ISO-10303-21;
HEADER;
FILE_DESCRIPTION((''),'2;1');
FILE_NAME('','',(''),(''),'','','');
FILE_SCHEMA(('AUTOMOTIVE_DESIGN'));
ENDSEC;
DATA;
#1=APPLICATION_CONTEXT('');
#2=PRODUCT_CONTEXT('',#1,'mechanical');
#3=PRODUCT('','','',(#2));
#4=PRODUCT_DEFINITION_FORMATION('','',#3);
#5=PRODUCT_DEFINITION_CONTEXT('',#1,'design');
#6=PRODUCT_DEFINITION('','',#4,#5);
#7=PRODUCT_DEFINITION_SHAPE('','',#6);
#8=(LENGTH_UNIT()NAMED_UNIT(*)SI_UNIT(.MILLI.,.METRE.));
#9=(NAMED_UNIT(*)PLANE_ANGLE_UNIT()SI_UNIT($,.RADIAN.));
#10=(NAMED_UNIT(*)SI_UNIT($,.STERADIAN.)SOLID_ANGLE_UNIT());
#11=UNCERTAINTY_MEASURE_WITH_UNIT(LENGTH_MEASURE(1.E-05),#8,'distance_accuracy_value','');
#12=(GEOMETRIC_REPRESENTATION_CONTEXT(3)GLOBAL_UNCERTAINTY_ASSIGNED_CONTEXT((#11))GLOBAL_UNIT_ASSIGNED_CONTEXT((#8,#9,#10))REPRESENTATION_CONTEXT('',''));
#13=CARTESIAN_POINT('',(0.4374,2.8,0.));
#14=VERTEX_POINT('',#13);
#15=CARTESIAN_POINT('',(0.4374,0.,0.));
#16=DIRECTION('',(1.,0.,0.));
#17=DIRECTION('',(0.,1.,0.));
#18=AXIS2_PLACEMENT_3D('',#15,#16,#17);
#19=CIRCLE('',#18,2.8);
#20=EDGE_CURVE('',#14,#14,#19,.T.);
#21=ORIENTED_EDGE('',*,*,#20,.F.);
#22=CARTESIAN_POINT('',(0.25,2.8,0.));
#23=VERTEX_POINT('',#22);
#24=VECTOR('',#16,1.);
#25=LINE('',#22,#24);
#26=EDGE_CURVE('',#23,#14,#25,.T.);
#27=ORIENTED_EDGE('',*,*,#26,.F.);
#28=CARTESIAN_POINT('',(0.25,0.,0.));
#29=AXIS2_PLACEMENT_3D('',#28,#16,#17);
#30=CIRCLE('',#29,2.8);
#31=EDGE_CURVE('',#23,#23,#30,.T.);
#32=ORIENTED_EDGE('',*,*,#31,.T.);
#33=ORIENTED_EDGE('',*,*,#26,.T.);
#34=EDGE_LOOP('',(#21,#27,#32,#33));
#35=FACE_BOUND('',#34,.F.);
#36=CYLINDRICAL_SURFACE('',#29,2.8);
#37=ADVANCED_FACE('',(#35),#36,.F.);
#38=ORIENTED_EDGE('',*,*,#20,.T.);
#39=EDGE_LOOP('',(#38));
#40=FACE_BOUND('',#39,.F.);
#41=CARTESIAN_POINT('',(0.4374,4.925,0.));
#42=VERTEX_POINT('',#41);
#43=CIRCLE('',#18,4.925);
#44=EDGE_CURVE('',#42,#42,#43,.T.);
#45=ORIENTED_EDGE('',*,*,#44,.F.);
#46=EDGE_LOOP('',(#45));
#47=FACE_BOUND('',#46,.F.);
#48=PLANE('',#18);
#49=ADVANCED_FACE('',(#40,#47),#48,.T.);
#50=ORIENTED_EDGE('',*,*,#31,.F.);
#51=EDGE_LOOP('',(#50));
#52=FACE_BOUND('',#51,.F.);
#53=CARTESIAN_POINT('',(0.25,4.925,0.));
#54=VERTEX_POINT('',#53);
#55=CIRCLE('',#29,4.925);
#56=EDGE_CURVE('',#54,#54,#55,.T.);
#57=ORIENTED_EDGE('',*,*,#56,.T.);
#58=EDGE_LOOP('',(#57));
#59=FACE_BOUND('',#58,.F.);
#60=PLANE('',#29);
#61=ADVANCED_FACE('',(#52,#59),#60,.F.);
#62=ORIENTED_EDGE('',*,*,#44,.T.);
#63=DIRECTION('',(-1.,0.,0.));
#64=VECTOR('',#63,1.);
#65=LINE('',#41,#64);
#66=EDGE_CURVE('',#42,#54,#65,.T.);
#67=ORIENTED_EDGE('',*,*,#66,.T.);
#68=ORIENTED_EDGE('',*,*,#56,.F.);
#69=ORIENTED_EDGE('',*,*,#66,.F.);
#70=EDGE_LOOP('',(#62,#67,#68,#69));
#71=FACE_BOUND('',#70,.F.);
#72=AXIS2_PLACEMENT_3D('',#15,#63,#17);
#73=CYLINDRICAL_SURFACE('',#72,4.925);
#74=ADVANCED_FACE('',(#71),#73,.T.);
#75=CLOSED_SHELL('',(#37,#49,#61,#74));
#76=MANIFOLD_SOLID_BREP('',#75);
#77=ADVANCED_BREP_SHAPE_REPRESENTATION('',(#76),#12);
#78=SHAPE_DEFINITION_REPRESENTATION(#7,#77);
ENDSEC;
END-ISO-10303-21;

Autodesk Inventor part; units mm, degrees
sketch "Sketch_1" plane through (0, 0, 0) normal (0, 0, 1) x (1, 0, 0)
  line L0 (0.4374, 0) -> (0.25, 0)
  line L1 (0.25, 2.8) -> (0.4374, 2.8)
  line L2 (0.4374, 2.8) -> (0.4374, 4.925)
  line L3 (0.4374, 4.925) -> (0.25, 4.925)
  line L4 (0.25, 4.925) -> (0.25, 2.8)
revolve "Revolution1" add sketch "Sketch_1" angle 360 about axis through (0.4374, 0, 0) along (1, 0, 0)
ref_plane "ip_st_1_XY" through (0.25, 0, 0) normal (-1, 0, 0) x (0, 0, -1)
ref_plane "ip_st_1_YZ" through (0.25, 0, 0) normal (0, 0, -1) x (0, -1, 0)
ref_plane "ip_st_1_ZX" through (0.25, 0, 0) normal (0, -1, 0) x (-1, 0, 0)
properties part number "F694ZZ Shield1" material "ステンレス鋼 440C"
